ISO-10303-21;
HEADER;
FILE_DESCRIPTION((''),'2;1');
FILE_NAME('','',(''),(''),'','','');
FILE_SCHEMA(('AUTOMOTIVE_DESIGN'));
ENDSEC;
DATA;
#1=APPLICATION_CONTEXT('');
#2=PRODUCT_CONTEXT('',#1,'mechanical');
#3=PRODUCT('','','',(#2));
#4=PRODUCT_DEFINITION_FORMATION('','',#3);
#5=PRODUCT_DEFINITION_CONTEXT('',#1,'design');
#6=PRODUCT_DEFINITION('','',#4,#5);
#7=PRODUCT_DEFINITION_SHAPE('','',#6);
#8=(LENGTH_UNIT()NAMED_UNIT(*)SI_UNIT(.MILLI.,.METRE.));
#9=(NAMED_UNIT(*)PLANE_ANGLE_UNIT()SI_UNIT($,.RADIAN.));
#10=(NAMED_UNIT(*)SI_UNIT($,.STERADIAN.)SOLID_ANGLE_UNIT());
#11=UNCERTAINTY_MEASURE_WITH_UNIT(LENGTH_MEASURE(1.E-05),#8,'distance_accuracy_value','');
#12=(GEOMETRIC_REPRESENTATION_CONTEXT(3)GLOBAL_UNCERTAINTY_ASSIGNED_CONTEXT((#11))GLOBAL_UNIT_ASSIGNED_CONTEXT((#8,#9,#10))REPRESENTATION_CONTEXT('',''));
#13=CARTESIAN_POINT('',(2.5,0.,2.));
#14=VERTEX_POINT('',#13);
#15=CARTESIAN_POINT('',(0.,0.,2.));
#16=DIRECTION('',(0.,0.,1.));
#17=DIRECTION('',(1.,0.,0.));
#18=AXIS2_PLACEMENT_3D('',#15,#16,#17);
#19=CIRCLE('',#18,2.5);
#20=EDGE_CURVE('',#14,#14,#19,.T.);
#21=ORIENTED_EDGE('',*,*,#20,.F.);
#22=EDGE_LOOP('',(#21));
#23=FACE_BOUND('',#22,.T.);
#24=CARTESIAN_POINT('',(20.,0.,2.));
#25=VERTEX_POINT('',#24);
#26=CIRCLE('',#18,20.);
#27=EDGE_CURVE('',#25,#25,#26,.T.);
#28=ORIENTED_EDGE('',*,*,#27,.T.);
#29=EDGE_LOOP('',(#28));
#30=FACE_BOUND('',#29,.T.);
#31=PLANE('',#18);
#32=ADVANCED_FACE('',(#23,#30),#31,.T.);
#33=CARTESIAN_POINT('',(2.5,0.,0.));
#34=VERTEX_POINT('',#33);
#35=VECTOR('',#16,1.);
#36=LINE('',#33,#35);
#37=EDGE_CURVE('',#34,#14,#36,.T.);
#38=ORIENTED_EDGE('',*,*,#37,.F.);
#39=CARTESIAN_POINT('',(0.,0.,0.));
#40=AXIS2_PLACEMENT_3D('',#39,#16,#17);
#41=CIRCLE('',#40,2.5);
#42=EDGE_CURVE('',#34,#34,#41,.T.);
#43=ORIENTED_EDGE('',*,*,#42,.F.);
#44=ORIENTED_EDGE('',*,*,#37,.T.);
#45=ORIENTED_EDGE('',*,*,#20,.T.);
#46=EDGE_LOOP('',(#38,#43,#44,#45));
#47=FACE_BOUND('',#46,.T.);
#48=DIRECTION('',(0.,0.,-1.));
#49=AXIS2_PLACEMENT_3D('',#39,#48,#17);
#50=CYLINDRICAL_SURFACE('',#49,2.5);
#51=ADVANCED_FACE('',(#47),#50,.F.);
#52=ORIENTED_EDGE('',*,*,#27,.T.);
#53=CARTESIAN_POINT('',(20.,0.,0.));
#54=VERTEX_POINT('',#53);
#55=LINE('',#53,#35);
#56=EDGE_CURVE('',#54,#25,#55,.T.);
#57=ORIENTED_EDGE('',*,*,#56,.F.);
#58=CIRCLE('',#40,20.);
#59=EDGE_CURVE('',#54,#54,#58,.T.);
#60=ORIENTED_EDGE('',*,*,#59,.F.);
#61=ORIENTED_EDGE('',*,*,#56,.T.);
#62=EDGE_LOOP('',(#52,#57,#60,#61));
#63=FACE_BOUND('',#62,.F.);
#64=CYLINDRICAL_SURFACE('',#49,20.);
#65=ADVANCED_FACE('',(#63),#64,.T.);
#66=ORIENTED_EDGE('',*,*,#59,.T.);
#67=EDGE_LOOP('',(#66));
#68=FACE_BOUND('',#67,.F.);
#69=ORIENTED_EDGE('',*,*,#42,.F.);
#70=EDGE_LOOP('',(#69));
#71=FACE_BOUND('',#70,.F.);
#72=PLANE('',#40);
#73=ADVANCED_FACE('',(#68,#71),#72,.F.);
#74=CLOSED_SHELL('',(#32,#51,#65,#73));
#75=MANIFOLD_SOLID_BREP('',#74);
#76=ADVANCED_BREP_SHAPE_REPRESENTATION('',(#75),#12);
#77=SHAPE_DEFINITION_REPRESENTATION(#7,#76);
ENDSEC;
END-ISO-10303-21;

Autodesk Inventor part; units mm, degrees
ref_plane "YZ Plane" through (0, 0, 0) normal (1, 0, 0) x (0, 1, 0)
ref_plane "XZ Plane" through (0, 0, 0) normal (0, 1, 0) x (-1, 0, 0)
ref_plane "XY Plane" through (0, 0, 0) normal (0, 0, 1) x (1, 0, 0)
sketch "Эскиз1" plane through (0, 0, 0) normal (0, 0, 1) x (1, 0, 0)
  circle A0 centre (0, 0) radius 20
  circle A1 centre (0, 0) radius 2.5
  point P0 (0, 0)
  dimension "d0" = 5
extrude "Выдавливание1" add sketch "Эскиз1" along normal blind 2
properties part number "Гор. шарн. - прижим"
